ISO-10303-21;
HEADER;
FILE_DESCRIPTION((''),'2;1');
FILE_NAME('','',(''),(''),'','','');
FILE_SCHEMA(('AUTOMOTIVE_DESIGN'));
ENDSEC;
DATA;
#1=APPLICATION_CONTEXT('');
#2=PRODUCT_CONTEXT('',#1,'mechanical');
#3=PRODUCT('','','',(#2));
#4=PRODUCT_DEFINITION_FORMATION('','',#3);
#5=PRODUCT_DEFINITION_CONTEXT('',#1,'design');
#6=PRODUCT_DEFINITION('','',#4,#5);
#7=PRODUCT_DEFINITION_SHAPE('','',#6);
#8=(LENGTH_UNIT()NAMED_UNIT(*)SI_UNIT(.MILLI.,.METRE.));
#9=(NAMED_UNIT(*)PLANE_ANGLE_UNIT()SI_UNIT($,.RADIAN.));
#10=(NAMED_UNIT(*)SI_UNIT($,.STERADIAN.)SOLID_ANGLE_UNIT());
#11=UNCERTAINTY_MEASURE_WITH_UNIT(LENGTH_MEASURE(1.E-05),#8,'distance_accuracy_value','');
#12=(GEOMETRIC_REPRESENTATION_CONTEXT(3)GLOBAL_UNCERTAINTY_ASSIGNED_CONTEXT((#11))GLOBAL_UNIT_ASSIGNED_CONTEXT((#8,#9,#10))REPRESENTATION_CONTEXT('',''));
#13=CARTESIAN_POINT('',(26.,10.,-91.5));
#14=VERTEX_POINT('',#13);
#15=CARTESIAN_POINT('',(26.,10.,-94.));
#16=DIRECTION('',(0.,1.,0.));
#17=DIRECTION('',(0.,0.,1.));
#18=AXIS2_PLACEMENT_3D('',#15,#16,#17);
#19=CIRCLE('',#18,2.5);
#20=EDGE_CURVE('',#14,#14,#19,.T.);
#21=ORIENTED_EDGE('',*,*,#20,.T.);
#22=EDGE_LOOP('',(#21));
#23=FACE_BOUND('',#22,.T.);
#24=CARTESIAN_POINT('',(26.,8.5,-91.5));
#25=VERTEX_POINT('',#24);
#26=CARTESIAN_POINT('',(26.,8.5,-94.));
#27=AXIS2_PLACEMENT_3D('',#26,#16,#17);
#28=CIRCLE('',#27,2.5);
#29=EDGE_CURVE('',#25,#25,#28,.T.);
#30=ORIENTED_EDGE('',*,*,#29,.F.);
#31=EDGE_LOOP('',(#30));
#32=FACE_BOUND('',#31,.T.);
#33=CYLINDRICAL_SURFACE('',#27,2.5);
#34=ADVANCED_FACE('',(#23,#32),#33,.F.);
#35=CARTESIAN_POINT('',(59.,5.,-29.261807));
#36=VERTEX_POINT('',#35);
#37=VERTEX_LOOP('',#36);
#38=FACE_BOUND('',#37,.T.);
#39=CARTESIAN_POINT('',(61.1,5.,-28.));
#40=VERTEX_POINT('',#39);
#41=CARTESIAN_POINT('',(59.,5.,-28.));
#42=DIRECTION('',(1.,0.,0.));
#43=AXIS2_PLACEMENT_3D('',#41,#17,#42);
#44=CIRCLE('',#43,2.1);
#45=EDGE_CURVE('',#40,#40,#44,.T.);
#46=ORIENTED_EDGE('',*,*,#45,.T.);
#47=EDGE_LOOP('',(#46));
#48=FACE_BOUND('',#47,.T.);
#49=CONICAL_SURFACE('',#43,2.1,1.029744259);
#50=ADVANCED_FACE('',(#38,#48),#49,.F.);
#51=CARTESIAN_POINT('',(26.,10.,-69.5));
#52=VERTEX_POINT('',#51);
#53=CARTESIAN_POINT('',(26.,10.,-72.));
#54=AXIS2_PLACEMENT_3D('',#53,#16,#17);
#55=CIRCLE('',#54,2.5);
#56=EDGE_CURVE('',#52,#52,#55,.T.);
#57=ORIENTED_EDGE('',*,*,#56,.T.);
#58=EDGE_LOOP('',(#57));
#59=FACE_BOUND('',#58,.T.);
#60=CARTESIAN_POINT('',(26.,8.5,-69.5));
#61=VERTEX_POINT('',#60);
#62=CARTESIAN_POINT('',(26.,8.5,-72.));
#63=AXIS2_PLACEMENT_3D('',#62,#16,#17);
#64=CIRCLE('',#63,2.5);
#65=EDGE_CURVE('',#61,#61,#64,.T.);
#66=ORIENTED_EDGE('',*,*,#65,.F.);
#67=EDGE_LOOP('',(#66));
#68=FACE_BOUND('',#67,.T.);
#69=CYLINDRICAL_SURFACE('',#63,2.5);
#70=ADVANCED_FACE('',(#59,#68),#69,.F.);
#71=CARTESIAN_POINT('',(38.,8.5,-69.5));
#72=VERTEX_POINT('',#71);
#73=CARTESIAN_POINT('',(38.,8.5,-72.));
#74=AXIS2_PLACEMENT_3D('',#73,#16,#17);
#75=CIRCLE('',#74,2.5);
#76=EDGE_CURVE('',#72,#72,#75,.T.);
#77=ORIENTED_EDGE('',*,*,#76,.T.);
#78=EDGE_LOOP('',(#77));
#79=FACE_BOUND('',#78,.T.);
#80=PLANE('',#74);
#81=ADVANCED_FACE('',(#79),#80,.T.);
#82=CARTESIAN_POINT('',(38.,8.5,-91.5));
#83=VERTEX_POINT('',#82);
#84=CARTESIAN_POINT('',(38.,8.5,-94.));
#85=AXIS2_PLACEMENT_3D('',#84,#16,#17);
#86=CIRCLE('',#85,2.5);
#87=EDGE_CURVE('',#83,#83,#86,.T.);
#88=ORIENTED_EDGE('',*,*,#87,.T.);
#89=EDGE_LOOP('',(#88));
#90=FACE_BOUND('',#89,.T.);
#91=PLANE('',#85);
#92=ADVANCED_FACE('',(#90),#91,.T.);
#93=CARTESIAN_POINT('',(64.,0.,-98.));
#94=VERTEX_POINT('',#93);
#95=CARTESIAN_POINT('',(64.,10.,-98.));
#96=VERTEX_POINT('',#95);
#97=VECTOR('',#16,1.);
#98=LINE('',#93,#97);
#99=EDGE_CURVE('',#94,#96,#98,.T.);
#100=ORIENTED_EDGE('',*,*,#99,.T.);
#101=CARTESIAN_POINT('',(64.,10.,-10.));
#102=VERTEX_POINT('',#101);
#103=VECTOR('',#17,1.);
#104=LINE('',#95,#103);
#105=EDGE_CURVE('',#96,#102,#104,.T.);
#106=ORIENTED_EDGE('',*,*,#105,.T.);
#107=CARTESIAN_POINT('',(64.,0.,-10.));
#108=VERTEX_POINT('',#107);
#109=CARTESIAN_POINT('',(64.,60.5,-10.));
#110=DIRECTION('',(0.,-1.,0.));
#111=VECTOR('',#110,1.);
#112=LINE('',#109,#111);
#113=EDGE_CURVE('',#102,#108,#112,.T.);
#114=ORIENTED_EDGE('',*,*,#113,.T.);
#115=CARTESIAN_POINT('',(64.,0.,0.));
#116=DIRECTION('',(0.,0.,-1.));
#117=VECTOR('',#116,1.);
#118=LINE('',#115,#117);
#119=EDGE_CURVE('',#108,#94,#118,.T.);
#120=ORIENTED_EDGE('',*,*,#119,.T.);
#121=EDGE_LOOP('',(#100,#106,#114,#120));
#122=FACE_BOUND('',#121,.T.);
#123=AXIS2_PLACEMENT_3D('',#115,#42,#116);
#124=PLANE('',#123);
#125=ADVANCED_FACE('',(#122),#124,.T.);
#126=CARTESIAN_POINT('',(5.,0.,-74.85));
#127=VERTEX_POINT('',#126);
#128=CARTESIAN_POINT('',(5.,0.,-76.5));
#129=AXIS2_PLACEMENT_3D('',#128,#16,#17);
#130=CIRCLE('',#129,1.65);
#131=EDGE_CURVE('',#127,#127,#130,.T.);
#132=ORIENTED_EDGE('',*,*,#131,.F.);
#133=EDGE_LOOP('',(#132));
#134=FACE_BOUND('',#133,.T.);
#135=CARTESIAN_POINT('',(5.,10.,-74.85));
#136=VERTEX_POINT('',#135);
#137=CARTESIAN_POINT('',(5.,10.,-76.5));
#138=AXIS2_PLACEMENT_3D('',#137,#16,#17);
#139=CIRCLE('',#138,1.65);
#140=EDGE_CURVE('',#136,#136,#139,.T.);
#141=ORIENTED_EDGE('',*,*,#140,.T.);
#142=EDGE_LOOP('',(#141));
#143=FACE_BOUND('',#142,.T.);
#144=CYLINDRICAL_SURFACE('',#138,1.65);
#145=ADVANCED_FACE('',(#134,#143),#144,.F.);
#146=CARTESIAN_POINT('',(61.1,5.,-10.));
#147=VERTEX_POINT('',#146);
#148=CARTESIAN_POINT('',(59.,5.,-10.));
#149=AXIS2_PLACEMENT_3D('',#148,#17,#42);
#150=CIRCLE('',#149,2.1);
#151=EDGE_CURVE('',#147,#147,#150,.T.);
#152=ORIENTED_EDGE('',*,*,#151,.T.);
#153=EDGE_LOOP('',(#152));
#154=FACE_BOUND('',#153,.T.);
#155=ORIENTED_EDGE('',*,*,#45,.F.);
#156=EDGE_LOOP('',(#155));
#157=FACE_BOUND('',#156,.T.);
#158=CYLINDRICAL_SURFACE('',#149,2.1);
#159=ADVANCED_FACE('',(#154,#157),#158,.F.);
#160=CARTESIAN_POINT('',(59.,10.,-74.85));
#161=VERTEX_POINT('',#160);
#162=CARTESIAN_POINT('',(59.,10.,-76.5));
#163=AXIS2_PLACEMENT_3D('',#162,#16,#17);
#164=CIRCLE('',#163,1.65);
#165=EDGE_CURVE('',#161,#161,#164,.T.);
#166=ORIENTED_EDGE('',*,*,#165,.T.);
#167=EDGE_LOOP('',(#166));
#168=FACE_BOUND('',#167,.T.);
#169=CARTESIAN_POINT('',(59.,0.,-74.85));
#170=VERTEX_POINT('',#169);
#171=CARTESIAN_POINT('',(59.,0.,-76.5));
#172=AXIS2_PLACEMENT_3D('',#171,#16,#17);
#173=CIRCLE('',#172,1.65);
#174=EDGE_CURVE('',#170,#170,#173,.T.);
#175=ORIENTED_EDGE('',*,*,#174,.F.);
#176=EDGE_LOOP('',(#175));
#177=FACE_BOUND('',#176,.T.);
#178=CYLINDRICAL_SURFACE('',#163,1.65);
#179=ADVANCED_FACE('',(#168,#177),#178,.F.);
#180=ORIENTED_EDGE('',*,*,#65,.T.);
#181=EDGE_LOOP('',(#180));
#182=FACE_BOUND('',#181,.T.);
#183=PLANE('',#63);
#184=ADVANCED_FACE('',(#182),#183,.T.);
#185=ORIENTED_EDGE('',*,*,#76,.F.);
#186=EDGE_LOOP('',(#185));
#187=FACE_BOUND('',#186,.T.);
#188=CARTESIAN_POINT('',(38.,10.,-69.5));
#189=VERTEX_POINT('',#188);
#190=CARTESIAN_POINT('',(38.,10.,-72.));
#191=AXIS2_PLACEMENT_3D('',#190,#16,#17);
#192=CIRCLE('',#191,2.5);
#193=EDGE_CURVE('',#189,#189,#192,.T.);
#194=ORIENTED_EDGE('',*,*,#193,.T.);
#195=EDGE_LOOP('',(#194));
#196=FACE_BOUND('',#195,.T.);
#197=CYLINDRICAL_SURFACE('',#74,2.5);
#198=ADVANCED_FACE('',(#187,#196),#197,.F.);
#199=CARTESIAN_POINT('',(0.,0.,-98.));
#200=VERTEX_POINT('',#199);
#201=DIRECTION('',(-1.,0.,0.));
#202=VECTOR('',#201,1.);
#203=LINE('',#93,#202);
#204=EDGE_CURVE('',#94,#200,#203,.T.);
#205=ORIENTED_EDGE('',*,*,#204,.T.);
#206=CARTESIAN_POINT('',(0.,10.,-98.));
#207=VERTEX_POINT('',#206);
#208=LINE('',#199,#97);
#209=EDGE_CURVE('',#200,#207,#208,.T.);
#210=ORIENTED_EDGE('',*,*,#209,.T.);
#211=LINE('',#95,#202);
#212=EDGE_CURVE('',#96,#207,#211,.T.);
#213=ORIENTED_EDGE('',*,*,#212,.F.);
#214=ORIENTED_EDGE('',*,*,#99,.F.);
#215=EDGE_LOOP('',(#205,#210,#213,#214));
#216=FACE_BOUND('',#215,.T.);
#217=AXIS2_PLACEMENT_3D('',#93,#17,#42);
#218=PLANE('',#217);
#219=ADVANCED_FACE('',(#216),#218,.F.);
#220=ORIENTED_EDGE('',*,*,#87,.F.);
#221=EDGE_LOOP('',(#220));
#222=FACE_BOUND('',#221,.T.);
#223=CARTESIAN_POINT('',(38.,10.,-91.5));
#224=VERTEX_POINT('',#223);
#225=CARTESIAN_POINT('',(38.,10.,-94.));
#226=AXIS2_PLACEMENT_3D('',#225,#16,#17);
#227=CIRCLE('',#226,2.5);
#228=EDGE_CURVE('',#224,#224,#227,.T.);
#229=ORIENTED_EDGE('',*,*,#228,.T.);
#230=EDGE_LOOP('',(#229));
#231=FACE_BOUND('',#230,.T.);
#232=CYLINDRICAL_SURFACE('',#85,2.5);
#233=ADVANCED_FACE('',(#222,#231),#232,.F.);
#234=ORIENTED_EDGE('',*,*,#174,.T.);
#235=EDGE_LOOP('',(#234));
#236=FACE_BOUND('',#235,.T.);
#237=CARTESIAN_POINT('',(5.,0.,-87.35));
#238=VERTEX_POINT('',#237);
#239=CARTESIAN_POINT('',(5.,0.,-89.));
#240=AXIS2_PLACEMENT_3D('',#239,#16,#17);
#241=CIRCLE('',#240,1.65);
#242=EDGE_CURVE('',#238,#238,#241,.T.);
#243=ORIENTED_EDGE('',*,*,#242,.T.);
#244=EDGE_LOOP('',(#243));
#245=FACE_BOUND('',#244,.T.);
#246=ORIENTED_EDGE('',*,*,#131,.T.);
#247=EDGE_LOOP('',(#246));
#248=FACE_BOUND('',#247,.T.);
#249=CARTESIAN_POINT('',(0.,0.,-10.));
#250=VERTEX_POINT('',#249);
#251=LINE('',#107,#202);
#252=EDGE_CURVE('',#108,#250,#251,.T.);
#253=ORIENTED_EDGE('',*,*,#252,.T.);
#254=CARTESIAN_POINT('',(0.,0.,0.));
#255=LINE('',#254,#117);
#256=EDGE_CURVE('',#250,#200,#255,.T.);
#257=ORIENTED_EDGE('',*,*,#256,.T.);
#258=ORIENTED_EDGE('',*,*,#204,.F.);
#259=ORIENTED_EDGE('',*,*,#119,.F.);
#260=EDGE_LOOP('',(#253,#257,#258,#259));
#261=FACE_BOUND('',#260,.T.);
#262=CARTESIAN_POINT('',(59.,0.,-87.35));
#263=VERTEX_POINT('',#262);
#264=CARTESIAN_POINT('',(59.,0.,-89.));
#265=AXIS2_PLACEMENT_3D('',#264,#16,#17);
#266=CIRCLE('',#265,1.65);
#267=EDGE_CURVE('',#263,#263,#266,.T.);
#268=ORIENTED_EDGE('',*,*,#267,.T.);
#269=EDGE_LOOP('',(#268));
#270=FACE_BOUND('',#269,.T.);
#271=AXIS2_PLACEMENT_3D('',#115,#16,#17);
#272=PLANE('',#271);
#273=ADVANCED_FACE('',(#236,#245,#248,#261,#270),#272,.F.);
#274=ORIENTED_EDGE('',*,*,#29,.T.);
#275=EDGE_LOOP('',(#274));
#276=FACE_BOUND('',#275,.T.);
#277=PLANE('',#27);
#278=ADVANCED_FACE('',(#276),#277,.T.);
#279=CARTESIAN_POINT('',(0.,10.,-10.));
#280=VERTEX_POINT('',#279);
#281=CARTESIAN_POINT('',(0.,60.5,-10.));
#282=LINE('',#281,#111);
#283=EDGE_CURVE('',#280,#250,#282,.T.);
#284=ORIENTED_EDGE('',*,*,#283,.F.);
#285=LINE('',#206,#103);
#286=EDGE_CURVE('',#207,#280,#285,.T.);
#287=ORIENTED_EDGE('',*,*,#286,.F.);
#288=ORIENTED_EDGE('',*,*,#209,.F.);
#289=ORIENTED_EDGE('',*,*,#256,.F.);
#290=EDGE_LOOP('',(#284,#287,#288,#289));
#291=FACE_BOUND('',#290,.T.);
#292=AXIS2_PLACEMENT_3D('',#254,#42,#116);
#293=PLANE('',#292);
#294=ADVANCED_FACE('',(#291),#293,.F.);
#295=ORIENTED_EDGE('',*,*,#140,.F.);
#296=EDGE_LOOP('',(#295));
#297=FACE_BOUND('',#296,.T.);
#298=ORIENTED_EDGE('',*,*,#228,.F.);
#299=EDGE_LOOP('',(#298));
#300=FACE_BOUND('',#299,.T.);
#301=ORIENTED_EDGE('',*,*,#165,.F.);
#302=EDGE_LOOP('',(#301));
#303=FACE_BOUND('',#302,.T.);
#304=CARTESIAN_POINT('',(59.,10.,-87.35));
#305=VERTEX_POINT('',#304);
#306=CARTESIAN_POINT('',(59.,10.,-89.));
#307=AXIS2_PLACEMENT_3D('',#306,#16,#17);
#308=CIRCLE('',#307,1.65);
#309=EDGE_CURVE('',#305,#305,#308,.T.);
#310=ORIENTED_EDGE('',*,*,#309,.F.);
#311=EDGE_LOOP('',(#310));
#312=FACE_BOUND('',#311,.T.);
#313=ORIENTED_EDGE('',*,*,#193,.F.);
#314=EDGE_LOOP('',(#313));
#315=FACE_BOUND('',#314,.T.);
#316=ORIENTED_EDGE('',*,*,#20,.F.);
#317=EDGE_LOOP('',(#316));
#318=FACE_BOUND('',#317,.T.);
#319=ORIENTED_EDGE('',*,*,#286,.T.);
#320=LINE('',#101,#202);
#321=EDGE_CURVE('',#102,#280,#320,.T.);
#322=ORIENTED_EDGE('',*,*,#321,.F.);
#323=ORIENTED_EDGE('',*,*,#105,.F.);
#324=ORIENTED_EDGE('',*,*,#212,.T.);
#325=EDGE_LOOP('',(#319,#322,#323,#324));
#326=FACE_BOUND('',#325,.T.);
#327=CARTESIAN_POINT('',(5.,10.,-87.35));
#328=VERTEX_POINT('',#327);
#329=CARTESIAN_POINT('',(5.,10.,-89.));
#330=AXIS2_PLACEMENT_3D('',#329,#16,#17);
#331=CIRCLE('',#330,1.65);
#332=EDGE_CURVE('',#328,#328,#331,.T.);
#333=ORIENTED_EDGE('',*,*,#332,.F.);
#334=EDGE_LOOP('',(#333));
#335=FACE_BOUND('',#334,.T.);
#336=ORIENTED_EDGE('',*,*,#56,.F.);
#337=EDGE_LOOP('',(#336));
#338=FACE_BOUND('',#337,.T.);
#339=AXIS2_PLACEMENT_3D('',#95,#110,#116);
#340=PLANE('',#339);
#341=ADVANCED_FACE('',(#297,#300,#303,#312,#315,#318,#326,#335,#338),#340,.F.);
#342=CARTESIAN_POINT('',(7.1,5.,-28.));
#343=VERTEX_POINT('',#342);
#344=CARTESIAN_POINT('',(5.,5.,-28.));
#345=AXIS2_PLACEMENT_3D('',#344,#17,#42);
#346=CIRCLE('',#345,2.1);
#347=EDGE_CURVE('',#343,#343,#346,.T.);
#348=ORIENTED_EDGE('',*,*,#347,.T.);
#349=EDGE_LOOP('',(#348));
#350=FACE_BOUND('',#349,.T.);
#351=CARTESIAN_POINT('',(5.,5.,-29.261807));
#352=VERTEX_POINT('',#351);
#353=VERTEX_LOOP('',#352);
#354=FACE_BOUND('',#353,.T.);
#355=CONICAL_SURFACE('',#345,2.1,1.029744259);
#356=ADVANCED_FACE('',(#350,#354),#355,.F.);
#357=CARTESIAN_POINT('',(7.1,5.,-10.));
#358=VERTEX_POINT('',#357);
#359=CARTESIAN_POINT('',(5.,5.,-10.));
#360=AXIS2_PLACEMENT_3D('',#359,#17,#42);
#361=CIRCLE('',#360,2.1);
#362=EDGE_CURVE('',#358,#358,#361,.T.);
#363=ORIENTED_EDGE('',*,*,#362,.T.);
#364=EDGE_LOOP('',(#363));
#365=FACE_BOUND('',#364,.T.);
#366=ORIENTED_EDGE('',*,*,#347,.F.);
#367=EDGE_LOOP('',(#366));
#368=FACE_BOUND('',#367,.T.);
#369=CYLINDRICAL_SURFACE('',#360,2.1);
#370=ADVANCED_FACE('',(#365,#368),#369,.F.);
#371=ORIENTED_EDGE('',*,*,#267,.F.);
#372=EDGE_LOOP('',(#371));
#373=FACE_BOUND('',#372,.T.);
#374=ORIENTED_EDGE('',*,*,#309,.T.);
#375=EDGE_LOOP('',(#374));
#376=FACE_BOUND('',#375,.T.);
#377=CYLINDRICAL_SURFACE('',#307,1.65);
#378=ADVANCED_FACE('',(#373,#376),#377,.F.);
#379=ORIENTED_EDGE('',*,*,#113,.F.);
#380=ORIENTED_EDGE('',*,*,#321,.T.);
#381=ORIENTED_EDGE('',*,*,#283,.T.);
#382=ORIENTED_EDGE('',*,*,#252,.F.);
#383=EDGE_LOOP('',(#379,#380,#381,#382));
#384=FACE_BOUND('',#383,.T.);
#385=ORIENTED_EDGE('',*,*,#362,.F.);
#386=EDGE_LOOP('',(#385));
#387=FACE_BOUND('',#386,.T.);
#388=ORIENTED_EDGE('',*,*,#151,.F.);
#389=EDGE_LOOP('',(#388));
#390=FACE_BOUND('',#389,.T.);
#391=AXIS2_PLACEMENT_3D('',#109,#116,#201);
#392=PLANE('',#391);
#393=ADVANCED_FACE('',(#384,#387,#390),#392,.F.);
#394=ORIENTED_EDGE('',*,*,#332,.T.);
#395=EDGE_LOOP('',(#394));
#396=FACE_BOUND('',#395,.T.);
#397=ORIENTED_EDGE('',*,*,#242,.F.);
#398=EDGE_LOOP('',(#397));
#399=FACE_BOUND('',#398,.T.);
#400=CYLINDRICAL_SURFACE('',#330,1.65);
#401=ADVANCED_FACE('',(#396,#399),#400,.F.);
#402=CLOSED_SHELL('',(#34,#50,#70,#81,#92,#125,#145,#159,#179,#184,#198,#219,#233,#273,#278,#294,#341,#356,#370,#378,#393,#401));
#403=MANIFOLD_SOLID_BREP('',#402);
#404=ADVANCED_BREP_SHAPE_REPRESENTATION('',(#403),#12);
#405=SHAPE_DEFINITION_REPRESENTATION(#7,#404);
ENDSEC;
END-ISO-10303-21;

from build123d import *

# Parameters (mm, degrees)
BOSS_EXTRUDE1_DEPTH     = 64
SKETCH3_R               = 2.25
CUT_EXTRUDE1_DEPTH      = 10
LPATTERN1_COUNT         = 2
LPATTERN1_PITCH         = 30
LPATTERN1_COUNT_DIR2    = 2
LPATTERN1_PITCH_DIR2    = 20
CUT_EXTRUDE3_DEPTH      = 10
SKETCH6_R               = 2.5
CUT_EXTRUDE4_DEPTH      = 1.5
LPATTERN3_COUNT         = 2
LPATTERN3_PITCH         = 12
LPATTERN3_COUNT_DIR2    = 2
LPATTERN3_PITCH_DIR2    = 22
SKETCH9_W               = 23.325235192
SKETCH9_H               = 64.951426749
CUT_EXTRUDE7_DEPTH      = 33
CUT_EXTRUDE7_DEPTH_BACK = 33
M5_TAPPED_HOLE1_D       = 4.2
M5_TAPPED_HOLE1_DEPTH   = 18
M5_TAPPED_HOLE1_TIP     = 1.2618073
M4_TAPPED_HOLE1_D       = 3.3


with BuildPart() as part:
    # Sketch1 → Boss-Extrude1 (new body)
    with BuildSketch(Plane(origin=(0, 0, 0), x_dir=(0, 0, -1), z_dir=(1, 0, 0))):
        Polygon((0, 60.5), (0, 0), (98, 0), (98, 10), (10, 10), (10, 60.5), align=None)
    extrude(amount=BOSS_EXTRUDE1_DEPTH)

    # Sketch3 → Cut-Extrude1 (cut)
    with BuildSketch(Plane(origin=(0, 0, -10), x_dir=(-1, 0, 0), z_dir=(0, 0, -1))):
        with Locations(Location((-47, 53.5, 0), (0, 0, 90))):  # turned: the seam where the file's is
            Circle(SKETCH3_R)
    cut_extrude1 = extrude(amount=-CUT_EXTRUDE1_DEPTH, mode=Mode.SUBTRACT)

    # LPattern1: Cut-Extrude1 2 × 2
    with Locations(*[(-i * LPATTERN1_PITCH, -j * LPATTERN1_PITCH_DIR2, 0) for i in range(LPATTERN1_COUNT) for j in range(LPATTERN1_COUNT_DIR2) if (i, j) != (0, 0)]):
        add(cut_extrude1, mode=Mode.SUBTRACT)

    # Sketch5 → Cut-Extrude3 (cut)
    with BuildSketch(Plane(origin=(0, 0, -10), x_dir=(-1, 0, 0), z_dir=(0, 0, -1))):
        with BuildLine():
            Line((-29.5, 55.3), (-29.5, 30.3))
            ThreePointArc((-29.5, 30.3), (-32, 27.8), (-34.5, 30.3))
            Line((-34.5, 30.3), (-34.5, 55.3))
            ThreePointArc((-34.5, 55.3), (-32, 57.8), (-29.5, 55.3))
        make_face()
    extrude(amount=-CUT_EXTRUDE3_DEPTH, mode=Mode.SUBTRACT)

    # Sketch6 → Cut-Extrude4 (cut)
    with BuildSketch(Plane(origin=(0, 10, 0), x_dir=(1, 0, 0), z_dir=(0, 1, 0))):
        with Locations(Location((38, 94, 0), (0, 0, 270))):  # turned: the seam where the file's is
            Circle(SKETCH6_R)
    cut_extrude4 = extrude(amount=-CUT_EXTRUDE4_DEPTH, mode=Mode.SUBTRACT)

    # LPattern3: Cut-Extrude4 2 × 2
    with Locations(*[(-i * LPATTERN3_PITCH, 0, j * LPATTERN3_PITCH_DIR2) for i in range(LPATTERN3_COUNT) for j in range(LPATTERN3_COUNT_DIR2) if (i, j) != (0, 0)]):
        add(cut_extrude4, mode=Mode.SUBTRACT)

    # Sketch9 → Cut-Extrude7 (cut, two sides)
    with BuildSketch(Plane.ZY.offset(-32)) as cut_extrude7_sk:
        with Locations((1.662617596, 28.024286626)):
            Rectangle(SKETCH9_W, SKETCH9_H)
    extrude(amount=CUT_EXTRUDE7_DEPTH, mode=Mode.SUBTRACT)
    extrude(cut_extrude7_sk.sketch, amount=-CUT_EXTRUDE7_DEPTH_BACK, mode=Mode.SUBTRACT)

    # M5 Tapped Hole1
    with Locations(Plane.XY.offset(-10)):
        with Locations((59, 5), (5, 5)):
            Hole(M5_TAPPED_HOLE1_D / 2, depth=M5_TAPPED_HOLE1_DEPTH)
            with Locations((0, 0, -(M5_TAPPED_HOLE1_DEPTH + M5_TAPPED_HOLE1_TIP / 2))):  # 118° drill point
                Cone(0, M5_TAPPED_HOLE1_D / 2, M5_TAPPED_HOLE1_TIP, mode=Mode.SUBTRACT)

    # M4 Tapped Hole1 (through all)
    with Locations(Plane(origin=(0, 10, 0), x_dir=(1, 0, 0), z_dir=(0, 1, 0))):
        with Locations((59, 89), (59, 76.5), (5, 76.5), (5, 89)):
            Hole(M4_TAPPED_HOLE1_D / 2)


solid = part.part
